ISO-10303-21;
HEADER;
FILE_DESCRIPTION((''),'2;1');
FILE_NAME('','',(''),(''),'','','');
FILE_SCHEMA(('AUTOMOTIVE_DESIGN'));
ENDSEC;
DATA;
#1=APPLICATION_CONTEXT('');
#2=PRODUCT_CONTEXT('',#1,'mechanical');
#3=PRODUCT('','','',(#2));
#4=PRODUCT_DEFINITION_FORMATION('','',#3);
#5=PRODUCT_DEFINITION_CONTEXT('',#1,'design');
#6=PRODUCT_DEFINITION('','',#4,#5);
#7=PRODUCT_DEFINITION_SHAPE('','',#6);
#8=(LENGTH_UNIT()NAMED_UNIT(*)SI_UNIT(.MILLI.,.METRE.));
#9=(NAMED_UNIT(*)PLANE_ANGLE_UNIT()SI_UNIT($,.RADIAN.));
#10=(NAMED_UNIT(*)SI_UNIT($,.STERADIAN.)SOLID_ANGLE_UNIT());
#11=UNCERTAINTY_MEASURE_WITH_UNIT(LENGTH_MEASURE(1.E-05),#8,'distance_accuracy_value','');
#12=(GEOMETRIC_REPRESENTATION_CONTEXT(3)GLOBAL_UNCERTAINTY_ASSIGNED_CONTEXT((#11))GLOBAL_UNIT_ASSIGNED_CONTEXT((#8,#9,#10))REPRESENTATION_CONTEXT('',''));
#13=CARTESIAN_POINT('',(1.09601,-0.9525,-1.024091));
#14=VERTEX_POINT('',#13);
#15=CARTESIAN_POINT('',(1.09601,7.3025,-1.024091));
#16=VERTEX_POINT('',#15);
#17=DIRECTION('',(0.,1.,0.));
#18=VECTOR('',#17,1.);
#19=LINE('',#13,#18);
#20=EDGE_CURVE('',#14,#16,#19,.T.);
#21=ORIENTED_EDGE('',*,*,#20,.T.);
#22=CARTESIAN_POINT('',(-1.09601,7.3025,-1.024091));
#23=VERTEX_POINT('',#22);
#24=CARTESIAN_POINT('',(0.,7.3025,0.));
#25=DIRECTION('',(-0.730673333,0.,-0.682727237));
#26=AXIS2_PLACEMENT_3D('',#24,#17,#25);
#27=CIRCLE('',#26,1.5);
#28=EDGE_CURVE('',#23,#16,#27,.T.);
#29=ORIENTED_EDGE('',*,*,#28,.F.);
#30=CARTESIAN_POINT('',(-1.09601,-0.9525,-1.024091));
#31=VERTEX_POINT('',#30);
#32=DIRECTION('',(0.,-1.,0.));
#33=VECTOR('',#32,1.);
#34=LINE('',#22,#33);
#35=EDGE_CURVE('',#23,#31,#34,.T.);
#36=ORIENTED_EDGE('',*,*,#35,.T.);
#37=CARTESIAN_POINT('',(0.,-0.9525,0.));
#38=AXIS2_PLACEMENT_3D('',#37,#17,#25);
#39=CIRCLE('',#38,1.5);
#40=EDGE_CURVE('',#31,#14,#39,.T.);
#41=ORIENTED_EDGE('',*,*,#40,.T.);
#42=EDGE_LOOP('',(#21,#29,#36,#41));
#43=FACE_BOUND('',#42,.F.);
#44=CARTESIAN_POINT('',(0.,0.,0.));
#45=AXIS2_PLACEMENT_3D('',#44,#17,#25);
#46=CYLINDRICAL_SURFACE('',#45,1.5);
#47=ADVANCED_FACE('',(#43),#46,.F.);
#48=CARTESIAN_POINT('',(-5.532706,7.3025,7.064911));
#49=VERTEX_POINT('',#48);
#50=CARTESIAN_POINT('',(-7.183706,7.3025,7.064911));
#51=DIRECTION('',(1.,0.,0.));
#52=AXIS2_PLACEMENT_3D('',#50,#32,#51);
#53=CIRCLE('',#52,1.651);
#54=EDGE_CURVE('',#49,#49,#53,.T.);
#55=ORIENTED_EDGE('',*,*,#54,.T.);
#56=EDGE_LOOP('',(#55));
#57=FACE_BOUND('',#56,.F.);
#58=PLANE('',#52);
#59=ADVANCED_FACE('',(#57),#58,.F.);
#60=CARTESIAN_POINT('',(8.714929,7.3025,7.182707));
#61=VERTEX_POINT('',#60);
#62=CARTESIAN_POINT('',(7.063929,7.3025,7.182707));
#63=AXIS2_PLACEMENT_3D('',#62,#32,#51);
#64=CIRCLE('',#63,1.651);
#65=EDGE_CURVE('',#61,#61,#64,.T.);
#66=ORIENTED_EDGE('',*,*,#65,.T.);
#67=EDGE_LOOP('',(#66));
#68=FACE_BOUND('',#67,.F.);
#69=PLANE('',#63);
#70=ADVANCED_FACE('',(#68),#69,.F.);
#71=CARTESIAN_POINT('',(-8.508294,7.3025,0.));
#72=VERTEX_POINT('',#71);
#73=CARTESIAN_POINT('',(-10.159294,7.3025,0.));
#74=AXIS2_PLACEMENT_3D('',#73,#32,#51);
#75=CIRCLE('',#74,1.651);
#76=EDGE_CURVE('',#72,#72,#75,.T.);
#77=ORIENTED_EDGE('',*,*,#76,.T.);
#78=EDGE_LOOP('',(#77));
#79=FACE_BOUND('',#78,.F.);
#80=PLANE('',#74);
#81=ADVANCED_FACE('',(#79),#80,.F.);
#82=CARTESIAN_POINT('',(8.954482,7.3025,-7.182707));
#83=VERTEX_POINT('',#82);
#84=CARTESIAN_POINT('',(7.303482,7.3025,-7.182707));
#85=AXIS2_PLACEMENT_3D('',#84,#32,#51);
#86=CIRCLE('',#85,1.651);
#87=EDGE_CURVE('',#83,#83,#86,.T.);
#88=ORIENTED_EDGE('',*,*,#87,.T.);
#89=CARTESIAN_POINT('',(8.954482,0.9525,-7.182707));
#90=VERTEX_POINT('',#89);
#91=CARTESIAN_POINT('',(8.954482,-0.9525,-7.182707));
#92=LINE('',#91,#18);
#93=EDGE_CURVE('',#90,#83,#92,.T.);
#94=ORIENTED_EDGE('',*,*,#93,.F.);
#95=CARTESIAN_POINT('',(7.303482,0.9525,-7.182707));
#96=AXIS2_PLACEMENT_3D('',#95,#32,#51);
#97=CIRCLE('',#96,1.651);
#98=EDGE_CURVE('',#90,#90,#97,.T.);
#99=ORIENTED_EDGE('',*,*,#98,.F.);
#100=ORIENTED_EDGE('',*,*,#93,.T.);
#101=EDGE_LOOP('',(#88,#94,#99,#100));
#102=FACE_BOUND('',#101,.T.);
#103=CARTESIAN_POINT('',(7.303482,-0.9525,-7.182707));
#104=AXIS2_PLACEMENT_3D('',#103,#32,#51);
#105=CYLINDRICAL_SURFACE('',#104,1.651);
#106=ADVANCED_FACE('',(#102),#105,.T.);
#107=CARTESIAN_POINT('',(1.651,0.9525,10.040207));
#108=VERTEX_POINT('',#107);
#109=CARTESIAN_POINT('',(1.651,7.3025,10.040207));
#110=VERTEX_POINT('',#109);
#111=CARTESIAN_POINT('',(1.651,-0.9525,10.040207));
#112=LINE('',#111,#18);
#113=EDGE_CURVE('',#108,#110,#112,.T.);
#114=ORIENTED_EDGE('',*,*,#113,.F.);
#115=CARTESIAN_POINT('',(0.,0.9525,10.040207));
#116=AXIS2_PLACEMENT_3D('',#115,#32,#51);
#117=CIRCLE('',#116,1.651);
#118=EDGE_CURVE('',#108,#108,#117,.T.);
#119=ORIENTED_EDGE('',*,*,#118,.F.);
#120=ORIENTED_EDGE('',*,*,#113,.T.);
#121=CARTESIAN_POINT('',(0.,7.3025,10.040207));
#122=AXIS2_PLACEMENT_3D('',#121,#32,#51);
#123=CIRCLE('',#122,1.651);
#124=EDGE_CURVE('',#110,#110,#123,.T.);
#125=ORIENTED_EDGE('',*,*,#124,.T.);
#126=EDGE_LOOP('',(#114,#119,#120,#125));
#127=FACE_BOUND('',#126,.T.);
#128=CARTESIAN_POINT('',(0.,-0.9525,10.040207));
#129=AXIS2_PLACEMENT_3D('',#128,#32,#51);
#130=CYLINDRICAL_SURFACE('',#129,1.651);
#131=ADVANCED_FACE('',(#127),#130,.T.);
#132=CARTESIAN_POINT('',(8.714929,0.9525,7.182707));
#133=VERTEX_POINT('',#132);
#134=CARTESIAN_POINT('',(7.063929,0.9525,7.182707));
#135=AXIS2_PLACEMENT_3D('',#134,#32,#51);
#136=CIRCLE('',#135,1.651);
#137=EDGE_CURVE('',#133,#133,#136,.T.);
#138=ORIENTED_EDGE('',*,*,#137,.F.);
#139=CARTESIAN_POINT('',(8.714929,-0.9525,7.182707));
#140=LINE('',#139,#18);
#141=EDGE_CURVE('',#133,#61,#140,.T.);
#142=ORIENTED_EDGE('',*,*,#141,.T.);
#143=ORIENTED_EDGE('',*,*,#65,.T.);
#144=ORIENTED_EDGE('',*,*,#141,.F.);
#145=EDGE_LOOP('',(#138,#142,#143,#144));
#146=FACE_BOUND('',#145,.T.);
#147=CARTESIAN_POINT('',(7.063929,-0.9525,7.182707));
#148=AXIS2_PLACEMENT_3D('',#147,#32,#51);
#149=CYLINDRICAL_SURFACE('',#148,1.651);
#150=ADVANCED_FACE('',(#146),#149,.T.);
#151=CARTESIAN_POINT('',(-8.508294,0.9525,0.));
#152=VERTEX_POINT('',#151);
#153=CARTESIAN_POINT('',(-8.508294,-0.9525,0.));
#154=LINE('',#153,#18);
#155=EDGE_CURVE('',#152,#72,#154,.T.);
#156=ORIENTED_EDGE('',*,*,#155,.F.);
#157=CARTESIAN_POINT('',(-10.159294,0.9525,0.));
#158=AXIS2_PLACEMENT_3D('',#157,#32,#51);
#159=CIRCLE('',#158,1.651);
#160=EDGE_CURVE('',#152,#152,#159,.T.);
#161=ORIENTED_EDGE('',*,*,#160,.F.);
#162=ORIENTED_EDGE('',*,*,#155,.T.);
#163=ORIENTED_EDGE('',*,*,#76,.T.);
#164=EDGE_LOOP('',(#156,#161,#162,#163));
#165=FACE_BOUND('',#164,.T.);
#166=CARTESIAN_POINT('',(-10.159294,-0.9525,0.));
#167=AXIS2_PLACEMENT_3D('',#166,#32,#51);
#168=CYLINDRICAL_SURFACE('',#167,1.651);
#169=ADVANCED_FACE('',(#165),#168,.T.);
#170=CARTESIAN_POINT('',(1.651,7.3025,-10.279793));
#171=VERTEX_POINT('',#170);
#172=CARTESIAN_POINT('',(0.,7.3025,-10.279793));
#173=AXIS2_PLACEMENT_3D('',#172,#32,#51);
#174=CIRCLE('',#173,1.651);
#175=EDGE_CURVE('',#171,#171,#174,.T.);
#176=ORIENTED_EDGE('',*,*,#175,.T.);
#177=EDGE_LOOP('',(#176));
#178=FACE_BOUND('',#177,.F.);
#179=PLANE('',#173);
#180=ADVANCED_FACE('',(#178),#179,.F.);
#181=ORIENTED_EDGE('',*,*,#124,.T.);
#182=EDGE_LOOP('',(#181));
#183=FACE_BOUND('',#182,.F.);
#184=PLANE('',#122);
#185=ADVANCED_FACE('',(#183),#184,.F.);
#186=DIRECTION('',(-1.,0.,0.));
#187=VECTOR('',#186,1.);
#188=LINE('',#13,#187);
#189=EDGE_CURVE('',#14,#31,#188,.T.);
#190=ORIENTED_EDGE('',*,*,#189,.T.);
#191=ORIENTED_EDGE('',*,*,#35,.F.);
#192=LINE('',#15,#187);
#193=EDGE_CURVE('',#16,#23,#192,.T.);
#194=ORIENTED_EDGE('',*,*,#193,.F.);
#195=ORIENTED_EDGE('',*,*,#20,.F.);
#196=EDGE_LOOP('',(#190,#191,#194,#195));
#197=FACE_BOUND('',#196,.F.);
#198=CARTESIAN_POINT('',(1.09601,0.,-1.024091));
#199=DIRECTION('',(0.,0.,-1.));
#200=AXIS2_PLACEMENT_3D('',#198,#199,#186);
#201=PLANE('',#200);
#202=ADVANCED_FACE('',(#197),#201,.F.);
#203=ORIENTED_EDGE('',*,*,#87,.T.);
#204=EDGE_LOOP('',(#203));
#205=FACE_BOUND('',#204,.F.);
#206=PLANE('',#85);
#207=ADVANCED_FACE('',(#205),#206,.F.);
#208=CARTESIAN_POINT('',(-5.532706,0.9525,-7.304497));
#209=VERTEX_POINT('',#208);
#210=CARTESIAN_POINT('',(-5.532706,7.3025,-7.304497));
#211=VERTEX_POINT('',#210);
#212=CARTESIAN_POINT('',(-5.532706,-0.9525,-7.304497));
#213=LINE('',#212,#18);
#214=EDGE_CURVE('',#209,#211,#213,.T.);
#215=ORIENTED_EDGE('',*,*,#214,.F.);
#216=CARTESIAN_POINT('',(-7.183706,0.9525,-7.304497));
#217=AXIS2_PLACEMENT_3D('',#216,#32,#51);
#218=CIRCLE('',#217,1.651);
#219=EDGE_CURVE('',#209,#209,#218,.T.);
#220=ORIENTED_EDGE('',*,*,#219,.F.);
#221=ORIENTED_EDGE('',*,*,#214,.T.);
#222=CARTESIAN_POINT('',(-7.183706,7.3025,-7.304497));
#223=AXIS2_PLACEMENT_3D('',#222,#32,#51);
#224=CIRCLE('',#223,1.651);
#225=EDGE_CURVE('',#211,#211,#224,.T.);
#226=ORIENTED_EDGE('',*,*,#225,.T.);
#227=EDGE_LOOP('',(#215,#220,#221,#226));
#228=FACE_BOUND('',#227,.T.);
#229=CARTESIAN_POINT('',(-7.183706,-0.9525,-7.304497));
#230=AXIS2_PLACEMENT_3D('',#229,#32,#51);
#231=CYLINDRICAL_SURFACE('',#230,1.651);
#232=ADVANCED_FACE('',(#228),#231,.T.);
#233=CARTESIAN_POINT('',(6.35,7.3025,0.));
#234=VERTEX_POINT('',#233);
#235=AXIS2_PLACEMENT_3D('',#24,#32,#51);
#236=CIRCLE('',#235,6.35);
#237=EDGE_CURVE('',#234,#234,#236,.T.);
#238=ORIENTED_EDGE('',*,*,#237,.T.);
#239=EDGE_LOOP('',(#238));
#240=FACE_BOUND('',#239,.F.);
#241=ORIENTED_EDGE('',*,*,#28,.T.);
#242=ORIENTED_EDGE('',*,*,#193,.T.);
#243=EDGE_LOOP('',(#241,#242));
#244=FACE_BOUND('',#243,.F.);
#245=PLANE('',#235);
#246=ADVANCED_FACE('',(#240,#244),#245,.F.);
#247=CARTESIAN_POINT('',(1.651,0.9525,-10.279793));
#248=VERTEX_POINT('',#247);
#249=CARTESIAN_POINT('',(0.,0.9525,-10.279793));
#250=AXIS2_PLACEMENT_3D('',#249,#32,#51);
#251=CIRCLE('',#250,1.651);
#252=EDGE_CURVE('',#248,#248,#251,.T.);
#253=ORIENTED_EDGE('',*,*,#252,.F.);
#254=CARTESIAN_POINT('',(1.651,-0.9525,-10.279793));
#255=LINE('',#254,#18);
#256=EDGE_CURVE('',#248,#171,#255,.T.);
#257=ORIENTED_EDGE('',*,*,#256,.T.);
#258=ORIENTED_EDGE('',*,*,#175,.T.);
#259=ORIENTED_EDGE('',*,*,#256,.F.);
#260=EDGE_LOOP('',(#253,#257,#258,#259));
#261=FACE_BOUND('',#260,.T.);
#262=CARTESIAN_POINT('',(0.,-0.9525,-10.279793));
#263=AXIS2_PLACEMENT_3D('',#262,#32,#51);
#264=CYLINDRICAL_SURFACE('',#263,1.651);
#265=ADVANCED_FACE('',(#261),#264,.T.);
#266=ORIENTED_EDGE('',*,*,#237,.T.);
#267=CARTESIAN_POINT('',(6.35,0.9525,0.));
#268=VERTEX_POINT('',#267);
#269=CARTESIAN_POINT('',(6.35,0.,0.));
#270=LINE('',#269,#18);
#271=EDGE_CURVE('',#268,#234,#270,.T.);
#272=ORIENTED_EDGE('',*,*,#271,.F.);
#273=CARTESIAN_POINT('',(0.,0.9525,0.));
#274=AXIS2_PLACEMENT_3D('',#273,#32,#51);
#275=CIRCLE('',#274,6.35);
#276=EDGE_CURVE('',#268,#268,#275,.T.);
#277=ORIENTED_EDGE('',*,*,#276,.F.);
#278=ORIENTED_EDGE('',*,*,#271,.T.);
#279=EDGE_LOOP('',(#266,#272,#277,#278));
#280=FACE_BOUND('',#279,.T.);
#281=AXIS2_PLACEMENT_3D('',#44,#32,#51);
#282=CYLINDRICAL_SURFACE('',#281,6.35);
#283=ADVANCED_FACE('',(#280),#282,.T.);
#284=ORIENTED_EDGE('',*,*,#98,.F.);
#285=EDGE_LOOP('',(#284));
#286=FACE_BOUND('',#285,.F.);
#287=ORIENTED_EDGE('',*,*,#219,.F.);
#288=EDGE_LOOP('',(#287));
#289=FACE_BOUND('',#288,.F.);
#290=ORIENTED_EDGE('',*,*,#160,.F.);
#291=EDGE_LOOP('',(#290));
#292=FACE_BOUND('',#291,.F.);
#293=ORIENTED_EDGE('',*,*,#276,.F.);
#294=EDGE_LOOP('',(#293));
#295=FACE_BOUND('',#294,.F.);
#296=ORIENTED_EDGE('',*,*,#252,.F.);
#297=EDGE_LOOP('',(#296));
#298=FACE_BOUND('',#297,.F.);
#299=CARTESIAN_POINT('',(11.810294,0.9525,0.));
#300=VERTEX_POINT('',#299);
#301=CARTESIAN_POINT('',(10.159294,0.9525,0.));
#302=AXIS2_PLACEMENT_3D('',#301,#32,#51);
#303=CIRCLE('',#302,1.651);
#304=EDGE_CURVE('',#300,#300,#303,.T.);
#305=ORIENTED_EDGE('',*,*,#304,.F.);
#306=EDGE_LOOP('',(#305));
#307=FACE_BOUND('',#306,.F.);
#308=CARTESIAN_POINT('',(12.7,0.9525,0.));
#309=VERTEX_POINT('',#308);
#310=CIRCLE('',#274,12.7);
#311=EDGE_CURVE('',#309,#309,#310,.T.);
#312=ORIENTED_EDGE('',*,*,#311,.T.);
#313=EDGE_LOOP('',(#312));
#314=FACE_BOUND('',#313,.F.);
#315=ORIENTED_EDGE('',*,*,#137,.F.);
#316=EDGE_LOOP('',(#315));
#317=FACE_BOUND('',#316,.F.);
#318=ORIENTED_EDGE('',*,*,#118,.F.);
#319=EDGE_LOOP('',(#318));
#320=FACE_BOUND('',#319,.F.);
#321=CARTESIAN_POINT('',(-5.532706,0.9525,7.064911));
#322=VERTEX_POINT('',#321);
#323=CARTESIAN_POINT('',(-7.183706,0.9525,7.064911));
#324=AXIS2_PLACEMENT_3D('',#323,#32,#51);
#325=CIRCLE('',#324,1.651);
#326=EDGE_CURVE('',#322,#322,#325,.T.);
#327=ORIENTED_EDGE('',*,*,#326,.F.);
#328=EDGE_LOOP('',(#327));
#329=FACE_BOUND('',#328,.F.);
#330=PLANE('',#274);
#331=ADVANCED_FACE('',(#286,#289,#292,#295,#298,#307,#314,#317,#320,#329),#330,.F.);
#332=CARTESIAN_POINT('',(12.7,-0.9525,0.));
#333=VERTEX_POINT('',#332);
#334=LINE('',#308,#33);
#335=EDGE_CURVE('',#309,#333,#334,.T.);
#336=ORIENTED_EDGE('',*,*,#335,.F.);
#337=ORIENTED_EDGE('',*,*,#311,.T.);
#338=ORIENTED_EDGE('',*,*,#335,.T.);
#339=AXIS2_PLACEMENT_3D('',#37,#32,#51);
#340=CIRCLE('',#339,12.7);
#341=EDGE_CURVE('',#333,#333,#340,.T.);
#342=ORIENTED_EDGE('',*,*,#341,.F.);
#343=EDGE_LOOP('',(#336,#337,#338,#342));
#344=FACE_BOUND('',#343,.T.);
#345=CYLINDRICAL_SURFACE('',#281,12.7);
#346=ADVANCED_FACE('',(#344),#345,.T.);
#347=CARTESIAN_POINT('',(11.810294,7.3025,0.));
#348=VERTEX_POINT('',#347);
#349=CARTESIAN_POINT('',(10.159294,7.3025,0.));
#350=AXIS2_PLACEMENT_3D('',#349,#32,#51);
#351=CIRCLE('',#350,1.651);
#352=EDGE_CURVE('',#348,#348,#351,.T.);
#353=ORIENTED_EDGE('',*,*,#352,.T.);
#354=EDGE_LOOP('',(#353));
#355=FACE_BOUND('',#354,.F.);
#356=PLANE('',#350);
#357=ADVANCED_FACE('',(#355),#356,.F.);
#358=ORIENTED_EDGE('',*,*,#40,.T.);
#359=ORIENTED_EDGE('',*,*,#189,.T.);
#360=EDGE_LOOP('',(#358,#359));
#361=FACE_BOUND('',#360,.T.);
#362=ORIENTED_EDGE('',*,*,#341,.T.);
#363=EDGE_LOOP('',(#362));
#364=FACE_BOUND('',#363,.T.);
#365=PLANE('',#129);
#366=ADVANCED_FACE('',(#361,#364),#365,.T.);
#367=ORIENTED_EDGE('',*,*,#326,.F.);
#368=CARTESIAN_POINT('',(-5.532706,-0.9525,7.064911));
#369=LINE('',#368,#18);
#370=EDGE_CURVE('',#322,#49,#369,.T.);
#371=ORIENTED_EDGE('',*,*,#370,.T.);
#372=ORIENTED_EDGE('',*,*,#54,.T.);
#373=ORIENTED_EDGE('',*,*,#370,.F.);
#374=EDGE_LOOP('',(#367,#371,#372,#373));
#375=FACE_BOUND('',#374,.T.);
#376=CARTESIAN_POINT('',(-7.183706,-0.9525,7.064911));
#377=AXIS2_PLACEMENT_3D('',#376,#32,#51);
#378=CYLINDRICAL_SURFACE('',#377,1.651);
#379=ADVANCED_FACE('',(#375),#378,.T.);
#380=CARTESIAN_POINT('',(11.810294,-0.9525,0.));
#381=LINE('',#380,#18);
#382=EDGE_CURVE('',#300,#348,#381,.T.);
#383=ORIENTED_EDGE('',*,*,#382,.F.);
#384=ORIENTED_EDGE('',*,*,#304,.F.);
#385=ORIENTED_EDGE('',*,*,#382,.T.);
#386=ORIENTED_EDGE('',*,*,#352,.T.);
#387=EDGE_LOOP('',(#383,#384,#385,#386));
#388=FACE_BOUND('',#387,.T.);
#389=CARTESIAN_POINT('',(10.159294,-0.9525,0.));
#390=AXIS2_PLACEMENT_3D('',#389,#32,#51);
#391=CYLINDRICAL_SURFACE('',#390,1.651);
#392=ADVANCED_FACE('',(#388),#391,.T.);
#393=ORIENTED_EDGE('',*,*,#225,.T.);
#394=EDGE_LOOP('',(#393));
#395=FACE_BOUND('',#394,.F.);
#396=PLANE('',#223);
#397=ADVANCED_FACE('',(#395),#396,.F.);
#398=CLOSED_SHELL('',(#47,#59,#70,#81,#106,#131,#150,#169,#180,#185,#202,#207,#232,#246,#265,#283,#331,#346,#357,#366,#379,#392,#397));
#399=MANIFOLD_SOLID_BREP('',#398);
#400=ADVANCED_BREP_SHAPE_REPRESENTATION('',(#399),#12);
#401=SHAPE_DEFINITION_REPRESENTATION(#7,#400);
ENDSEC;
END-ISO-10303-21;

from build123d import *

# Parameters (mm, degrees)
F0_R          = 12.7
F0_R_2        = 6.35
F1_DEPTH      = 0.9525
F2_DEPTH      = 7.3025
F2_DEPTH_BACK = 0.9525
F3_R          = 1.651
F4_DEPTH      = 8.255


with BuildPart() as f1:
    # F0 (on Front) → F1 (new body, symmetric)
    with BuildSketch(Plane.XZ):
        Circle(F0_R)
        Circle(F0_R_2, mode=Mode.SUBTRACT)
    extrude(amount=F1_DEPTH, both=True)

    # F0 (on Front) → F2 (join, two sides)
    with BuildSketch(Plane.XZ) as f2_sk:
        Circle(F0_R_2)
        with BuildLine():
            ThreePointArc((-1.09601, -1.0240908553), (0, 1.5), (1.09601, -1.0240908553))
            Line((1.09601, -1.0240908553), (-1.09601, -1.0240908553))
        make_face(mode=Mode.SUBTRACT)
    extrude(amount=-F2_DEPTH)
    extrude(f2_sk.sketch, amount=F2_DEPTH_BACK)

    # F3 (on face) → F4 (join)
    with BuildSketch(Plane.XZ.offset(0.9525)):
        with Locations((0, 10.0402068998)):
            Circle(F3_R)
        with Locations((7.063929059, 7.1827068998)):
            Circle(F3_R)
        with Locations((7.3034819544, -7.1827068998)):
            Circle(F3_R)
        with Locations((0, -10.2797931002)):
            Circle(F3_R)
        with Locations((10.1592937556, 0)):
            Circle(F3_R)
        with Locations((-7.1837055067, 7.0649111522)):
            Circle(F3_R)
        with Locations((-10.1592937556, 0)):
            Circle(F3_R)
        with Locations((-7.1837055067, -7.3044973525)):
            Circle(F3_R)
    extrude(amount=-F4_DEPTH)


solid = f1.part
